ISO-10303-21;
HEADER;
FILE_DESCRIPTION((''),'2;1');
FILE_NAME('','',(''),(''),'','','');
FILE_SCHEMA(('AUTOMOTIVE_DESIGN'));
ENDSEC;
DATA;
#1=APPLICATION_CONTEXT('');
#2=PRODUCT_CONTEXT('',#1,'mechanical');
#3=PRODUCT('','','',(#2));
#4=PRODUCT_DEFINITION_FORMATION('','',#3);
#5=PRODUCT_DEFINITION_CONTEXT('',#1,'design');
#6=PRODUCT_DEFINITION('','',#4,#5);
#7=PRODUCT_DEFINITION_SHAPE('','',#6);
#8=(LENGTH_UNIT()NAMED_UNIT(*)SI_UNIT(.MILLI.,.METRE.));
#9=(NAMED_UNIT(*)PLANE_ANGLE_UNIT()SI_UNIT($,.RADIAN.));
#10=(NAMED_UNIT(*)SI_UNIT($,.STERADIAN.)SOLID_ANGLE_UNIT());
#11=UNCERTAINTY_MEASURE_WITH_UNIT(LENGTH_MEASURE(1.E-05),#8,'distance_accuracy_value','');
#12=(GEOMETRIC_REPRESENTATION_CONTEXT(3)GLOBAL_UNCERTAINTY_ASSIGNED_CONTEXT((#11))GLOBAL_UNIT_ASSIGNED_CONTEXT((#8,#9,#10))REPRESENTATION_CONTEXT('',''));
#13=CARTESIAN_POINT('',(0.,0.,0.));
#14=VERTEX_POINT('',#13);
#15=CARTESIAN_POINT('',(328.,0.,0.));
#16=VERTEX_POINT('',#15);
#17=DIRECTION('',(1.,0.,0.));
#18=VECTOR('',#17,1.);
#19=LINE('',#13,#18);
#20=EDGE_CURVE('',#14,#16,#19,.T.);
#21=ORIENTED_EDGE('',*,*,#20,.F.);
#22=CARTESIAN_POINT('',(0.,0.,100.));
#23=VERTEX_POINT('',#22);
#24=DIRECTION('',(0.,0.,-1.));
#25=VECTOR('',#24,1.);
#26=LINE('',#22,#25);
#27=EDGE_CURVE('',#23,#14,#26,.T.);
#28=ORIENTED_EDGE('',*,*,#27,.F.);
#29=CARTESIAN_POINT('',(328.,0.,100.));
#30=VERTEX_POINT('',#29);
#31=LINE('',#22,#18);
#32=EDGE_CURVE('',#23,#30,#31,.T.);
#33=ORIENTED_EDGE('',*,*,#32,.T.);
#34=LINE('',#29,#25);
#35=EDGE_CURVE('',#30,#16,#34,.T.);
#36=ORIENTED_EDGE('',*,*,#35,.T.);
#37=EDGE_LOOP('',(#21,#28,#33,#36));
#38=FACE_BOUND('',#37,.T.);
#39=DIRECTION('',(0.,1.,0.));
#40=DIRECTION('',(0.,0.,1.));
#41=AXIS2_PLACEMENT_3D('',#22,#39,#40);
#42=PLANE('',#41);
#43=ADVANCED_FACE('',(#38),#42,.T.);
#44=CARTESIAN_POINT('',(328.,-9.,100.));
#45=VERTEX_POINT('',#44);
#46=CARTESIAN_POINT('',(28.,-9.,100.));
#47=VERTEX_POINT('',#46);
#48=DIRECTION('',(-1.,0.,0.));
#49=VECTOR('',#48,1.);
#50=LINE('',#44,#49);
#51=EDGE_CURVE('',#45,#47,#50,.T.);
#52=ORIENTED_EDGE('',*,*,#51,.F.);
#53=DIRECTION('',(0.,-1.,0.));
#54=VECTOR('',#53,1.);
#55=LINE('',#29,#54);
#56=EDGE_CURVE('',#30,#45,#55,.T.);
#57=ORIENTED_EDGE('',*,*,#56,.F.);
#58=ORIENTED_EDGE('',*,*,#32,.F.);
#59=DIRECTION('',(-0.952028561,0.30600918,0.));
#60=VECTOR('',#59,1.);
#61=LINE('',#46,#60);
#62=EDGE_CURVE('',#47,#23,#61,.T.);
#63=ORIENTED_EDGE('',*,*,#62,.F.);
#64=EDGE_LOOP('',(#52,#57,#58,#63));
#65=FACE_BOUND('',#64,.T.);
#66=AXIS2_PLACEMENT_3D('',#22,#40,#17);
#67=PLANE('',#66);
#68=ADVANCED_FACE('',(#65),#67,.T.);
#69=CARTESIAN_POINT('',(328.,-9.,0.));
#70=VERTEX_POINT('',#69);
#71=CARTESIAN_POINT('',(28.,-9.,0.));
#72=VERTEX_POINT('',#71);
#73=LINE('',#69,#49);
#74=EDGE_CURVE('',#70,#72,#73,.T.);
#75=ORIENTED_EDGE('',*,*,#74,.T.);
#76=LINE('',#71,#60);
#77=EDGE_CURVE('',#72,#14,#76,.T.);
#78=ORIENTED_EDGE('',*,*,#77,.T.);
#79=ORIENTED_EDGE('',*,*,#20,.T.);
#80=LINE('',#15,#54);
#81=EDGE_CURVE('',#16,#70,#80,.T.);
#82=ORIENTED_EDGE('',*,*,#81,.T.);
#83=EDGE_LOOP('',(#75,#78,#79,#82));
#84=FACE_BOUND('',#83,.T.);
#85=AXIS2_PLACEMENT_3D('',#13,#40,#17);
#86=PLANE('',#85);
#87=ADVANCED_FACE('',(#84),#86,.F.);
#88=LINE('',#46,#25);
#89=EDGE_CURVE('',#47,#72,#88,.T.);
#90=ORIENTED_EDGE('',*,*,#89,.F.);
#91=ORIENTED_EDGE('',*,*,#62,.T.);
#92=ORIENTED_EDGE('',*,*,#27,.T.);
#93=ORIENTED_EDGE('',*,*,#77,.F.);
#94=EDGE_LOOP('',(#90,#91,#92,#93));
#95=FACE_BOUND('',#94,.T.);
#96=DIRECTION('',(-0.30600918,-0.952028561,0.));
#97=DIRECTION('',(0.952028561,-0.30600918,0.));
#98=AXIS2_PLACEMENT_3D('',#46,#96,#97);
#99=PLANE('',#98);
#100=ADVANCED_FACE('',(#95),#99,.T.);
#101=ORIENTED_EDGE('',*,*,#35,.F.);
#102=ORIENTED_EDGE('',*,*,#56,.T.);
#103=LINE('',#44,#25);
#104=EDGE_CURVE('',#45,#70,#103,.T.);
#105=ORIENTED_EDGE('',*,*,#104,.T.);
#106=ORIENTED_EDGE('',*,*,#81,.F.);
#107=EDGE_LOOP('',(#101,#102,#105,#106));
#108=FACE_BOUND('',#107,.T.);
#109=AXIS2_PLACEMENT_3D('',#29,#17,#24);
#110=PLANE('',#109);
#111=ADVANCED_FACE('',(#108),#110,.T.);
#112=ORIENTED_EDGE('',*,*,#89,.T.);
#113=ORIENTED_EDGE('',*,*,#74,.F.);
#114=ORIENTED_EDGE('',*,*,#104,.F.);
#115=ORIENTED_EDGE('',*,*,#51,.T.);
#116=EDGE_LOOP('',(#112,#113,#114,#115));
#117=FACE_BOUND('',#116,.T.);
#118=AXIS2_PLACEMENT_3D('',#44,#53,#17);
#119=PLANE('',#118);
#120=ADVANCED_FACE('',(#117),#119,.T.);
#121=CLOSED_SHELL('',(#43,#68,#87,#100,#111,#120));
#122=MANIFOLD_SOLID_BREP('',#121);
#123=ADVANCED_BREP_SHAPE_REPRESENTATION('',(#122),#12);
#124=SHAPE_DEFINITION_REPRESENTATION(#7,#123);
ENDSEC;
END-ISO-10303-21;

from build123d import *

# Parameters (mm, degrees)
BOSS_EXTRUDE1_DEPTH = 100


with BuildPart() as part:
    # Sketch1 → Boss-Extrude1 (new body)
    with BuildSketch(Plane.XY):
        Polygon((0, 0), (328, 0), (328, -9), (28, -9), align=None)
    extrude(amount=BOSS_EXTRUDE1_DEPTH)


solid = part.part
